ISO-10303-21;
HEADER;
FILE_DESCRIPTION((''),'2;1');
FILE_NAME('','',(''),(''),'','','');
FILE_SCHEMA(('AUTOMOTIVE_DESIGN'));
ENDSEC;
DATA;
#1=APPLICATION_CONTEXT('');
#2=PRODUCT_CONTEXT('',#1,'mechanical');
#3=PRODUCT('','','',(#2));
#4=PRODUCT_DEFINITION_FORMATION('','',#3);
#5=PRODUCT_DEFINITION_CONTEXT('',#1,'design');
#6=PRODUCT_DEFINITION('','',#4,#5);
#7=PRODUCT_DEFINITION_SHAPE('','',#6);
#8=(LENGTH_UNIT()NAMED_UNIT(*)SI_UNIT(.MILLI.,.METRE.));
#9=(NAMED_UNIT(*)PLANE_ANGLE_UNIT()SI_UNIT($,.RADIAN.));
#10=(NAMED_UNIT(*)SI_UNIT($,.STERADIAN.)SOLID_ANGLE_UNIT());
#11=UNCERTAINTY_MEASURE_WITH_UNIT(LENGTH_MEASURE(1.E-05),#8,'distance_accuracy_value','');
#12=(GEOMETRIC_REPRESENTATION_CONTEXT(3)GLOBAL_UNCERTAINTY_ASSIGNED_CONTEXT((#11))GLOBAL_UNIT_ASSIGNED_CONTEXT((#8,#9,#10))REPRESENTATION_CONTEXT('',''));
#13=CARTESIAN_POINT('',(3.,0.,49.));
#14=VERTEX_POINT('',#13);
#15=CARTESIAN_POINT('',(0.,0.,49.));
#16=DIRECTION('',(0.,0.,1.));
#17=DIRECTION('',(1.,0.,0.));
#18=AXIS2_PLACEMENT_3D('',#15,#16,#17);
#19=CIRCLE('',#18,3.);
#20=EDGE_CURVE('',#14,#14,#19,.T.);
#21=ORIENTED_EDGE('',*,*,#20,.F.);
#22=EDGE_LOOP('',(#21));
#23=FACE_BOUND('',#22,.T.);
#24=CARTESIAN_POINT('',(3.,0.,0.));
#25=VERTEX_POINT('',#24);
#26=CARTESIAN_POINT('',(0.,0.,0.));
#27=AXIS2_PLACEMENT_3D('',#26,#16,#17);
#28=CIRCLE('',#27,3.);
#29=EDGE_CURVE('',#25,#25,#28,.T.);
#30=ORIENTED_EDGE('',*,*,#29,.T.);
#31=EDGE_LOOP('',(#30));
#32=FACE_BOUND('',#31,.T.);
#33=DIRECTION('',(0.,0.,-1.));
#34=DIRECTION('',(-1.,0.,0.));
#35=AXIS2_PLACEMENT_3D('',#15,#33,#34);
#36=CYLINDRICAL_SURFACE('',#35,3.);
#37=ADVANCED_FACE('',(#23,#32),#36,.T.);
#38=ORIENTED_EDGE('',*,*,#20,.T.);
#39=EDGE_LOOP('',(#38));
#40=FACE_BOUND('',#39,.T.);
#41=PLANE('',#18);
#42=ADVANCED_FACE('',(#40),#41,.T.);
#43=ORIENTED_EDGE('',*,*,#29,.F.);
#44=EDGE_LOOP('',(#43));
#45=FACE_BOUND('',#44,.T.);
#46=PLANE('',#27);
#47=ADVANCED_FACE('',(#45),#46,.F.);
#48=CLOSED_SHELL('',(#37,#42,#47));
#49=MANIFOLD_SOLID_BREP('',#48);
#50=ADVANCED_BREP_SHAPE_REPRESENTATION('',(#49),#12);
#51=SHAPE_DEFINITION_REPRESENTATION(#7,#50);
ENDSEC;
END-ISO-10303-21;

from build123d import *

# Parameters (mm, degrees)
ESQUISSE1_R      = 3
EXTRUSION1_DEPTH = 49


with BuildPart() as part:
    # Esquisse1 → Extrusion1 (new body)
    with BuildSketch(Plane.XY):
        Circle(ESQUISSE1_R)
    extrude(amount=EXTRUSION1_DEPTH)


solid = part.part
